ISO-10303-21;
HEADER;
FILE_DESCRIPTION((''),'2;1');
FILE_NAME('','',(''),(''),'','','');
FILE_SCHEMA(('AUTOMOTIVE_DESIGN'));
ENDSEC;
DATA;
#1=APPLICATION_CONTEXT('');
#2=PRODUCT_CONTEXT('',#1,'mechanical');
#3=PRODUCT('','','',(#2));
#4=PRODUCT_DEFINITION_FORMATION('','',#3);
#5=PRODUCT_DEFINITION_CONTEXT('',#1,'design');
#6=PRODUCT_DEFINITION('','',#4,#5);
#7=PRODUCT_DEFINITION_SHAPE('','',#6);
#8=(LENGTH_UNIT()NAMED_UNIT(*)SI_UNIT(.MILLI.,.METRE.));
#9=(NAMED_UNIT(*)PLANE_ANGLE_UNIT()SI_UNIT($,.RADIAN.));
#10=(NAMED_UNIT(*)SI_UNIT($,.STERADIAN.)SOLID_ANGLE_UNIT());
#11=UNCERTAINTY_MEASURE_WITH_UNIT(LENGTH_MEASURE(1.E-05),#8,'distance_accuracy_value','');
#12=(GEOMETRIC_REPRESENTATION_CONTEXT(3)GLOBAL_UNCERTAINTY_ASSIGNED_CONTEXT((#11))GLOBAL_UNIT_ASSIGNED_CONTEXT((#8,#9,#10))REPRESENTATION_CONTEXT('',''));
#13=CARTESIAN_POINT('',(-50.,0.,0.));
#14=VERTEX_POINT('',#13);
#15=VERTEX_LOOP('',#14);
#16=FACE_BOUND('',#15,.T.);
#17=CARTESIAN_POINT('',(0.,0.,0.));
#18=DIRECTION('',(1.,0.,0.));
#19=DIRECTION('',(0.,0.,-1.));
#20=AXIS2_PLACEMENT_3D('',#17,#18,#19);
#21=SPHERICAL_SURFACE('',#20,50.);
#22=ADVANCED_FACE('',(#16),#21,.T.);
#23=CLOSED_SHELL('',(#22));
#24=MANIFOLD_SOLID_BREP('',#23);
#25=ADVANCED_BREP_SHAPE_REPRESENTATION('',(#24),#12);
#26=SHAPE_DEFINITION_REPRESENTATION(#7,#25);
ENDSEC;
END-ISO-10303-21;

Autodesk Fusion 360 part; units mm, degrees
sphere "球プリミティブ1" add diameter 100 placed x (0, 0, -1) y (0, 1, 0) z (1, 0, 0) at (0, 0, 0)
